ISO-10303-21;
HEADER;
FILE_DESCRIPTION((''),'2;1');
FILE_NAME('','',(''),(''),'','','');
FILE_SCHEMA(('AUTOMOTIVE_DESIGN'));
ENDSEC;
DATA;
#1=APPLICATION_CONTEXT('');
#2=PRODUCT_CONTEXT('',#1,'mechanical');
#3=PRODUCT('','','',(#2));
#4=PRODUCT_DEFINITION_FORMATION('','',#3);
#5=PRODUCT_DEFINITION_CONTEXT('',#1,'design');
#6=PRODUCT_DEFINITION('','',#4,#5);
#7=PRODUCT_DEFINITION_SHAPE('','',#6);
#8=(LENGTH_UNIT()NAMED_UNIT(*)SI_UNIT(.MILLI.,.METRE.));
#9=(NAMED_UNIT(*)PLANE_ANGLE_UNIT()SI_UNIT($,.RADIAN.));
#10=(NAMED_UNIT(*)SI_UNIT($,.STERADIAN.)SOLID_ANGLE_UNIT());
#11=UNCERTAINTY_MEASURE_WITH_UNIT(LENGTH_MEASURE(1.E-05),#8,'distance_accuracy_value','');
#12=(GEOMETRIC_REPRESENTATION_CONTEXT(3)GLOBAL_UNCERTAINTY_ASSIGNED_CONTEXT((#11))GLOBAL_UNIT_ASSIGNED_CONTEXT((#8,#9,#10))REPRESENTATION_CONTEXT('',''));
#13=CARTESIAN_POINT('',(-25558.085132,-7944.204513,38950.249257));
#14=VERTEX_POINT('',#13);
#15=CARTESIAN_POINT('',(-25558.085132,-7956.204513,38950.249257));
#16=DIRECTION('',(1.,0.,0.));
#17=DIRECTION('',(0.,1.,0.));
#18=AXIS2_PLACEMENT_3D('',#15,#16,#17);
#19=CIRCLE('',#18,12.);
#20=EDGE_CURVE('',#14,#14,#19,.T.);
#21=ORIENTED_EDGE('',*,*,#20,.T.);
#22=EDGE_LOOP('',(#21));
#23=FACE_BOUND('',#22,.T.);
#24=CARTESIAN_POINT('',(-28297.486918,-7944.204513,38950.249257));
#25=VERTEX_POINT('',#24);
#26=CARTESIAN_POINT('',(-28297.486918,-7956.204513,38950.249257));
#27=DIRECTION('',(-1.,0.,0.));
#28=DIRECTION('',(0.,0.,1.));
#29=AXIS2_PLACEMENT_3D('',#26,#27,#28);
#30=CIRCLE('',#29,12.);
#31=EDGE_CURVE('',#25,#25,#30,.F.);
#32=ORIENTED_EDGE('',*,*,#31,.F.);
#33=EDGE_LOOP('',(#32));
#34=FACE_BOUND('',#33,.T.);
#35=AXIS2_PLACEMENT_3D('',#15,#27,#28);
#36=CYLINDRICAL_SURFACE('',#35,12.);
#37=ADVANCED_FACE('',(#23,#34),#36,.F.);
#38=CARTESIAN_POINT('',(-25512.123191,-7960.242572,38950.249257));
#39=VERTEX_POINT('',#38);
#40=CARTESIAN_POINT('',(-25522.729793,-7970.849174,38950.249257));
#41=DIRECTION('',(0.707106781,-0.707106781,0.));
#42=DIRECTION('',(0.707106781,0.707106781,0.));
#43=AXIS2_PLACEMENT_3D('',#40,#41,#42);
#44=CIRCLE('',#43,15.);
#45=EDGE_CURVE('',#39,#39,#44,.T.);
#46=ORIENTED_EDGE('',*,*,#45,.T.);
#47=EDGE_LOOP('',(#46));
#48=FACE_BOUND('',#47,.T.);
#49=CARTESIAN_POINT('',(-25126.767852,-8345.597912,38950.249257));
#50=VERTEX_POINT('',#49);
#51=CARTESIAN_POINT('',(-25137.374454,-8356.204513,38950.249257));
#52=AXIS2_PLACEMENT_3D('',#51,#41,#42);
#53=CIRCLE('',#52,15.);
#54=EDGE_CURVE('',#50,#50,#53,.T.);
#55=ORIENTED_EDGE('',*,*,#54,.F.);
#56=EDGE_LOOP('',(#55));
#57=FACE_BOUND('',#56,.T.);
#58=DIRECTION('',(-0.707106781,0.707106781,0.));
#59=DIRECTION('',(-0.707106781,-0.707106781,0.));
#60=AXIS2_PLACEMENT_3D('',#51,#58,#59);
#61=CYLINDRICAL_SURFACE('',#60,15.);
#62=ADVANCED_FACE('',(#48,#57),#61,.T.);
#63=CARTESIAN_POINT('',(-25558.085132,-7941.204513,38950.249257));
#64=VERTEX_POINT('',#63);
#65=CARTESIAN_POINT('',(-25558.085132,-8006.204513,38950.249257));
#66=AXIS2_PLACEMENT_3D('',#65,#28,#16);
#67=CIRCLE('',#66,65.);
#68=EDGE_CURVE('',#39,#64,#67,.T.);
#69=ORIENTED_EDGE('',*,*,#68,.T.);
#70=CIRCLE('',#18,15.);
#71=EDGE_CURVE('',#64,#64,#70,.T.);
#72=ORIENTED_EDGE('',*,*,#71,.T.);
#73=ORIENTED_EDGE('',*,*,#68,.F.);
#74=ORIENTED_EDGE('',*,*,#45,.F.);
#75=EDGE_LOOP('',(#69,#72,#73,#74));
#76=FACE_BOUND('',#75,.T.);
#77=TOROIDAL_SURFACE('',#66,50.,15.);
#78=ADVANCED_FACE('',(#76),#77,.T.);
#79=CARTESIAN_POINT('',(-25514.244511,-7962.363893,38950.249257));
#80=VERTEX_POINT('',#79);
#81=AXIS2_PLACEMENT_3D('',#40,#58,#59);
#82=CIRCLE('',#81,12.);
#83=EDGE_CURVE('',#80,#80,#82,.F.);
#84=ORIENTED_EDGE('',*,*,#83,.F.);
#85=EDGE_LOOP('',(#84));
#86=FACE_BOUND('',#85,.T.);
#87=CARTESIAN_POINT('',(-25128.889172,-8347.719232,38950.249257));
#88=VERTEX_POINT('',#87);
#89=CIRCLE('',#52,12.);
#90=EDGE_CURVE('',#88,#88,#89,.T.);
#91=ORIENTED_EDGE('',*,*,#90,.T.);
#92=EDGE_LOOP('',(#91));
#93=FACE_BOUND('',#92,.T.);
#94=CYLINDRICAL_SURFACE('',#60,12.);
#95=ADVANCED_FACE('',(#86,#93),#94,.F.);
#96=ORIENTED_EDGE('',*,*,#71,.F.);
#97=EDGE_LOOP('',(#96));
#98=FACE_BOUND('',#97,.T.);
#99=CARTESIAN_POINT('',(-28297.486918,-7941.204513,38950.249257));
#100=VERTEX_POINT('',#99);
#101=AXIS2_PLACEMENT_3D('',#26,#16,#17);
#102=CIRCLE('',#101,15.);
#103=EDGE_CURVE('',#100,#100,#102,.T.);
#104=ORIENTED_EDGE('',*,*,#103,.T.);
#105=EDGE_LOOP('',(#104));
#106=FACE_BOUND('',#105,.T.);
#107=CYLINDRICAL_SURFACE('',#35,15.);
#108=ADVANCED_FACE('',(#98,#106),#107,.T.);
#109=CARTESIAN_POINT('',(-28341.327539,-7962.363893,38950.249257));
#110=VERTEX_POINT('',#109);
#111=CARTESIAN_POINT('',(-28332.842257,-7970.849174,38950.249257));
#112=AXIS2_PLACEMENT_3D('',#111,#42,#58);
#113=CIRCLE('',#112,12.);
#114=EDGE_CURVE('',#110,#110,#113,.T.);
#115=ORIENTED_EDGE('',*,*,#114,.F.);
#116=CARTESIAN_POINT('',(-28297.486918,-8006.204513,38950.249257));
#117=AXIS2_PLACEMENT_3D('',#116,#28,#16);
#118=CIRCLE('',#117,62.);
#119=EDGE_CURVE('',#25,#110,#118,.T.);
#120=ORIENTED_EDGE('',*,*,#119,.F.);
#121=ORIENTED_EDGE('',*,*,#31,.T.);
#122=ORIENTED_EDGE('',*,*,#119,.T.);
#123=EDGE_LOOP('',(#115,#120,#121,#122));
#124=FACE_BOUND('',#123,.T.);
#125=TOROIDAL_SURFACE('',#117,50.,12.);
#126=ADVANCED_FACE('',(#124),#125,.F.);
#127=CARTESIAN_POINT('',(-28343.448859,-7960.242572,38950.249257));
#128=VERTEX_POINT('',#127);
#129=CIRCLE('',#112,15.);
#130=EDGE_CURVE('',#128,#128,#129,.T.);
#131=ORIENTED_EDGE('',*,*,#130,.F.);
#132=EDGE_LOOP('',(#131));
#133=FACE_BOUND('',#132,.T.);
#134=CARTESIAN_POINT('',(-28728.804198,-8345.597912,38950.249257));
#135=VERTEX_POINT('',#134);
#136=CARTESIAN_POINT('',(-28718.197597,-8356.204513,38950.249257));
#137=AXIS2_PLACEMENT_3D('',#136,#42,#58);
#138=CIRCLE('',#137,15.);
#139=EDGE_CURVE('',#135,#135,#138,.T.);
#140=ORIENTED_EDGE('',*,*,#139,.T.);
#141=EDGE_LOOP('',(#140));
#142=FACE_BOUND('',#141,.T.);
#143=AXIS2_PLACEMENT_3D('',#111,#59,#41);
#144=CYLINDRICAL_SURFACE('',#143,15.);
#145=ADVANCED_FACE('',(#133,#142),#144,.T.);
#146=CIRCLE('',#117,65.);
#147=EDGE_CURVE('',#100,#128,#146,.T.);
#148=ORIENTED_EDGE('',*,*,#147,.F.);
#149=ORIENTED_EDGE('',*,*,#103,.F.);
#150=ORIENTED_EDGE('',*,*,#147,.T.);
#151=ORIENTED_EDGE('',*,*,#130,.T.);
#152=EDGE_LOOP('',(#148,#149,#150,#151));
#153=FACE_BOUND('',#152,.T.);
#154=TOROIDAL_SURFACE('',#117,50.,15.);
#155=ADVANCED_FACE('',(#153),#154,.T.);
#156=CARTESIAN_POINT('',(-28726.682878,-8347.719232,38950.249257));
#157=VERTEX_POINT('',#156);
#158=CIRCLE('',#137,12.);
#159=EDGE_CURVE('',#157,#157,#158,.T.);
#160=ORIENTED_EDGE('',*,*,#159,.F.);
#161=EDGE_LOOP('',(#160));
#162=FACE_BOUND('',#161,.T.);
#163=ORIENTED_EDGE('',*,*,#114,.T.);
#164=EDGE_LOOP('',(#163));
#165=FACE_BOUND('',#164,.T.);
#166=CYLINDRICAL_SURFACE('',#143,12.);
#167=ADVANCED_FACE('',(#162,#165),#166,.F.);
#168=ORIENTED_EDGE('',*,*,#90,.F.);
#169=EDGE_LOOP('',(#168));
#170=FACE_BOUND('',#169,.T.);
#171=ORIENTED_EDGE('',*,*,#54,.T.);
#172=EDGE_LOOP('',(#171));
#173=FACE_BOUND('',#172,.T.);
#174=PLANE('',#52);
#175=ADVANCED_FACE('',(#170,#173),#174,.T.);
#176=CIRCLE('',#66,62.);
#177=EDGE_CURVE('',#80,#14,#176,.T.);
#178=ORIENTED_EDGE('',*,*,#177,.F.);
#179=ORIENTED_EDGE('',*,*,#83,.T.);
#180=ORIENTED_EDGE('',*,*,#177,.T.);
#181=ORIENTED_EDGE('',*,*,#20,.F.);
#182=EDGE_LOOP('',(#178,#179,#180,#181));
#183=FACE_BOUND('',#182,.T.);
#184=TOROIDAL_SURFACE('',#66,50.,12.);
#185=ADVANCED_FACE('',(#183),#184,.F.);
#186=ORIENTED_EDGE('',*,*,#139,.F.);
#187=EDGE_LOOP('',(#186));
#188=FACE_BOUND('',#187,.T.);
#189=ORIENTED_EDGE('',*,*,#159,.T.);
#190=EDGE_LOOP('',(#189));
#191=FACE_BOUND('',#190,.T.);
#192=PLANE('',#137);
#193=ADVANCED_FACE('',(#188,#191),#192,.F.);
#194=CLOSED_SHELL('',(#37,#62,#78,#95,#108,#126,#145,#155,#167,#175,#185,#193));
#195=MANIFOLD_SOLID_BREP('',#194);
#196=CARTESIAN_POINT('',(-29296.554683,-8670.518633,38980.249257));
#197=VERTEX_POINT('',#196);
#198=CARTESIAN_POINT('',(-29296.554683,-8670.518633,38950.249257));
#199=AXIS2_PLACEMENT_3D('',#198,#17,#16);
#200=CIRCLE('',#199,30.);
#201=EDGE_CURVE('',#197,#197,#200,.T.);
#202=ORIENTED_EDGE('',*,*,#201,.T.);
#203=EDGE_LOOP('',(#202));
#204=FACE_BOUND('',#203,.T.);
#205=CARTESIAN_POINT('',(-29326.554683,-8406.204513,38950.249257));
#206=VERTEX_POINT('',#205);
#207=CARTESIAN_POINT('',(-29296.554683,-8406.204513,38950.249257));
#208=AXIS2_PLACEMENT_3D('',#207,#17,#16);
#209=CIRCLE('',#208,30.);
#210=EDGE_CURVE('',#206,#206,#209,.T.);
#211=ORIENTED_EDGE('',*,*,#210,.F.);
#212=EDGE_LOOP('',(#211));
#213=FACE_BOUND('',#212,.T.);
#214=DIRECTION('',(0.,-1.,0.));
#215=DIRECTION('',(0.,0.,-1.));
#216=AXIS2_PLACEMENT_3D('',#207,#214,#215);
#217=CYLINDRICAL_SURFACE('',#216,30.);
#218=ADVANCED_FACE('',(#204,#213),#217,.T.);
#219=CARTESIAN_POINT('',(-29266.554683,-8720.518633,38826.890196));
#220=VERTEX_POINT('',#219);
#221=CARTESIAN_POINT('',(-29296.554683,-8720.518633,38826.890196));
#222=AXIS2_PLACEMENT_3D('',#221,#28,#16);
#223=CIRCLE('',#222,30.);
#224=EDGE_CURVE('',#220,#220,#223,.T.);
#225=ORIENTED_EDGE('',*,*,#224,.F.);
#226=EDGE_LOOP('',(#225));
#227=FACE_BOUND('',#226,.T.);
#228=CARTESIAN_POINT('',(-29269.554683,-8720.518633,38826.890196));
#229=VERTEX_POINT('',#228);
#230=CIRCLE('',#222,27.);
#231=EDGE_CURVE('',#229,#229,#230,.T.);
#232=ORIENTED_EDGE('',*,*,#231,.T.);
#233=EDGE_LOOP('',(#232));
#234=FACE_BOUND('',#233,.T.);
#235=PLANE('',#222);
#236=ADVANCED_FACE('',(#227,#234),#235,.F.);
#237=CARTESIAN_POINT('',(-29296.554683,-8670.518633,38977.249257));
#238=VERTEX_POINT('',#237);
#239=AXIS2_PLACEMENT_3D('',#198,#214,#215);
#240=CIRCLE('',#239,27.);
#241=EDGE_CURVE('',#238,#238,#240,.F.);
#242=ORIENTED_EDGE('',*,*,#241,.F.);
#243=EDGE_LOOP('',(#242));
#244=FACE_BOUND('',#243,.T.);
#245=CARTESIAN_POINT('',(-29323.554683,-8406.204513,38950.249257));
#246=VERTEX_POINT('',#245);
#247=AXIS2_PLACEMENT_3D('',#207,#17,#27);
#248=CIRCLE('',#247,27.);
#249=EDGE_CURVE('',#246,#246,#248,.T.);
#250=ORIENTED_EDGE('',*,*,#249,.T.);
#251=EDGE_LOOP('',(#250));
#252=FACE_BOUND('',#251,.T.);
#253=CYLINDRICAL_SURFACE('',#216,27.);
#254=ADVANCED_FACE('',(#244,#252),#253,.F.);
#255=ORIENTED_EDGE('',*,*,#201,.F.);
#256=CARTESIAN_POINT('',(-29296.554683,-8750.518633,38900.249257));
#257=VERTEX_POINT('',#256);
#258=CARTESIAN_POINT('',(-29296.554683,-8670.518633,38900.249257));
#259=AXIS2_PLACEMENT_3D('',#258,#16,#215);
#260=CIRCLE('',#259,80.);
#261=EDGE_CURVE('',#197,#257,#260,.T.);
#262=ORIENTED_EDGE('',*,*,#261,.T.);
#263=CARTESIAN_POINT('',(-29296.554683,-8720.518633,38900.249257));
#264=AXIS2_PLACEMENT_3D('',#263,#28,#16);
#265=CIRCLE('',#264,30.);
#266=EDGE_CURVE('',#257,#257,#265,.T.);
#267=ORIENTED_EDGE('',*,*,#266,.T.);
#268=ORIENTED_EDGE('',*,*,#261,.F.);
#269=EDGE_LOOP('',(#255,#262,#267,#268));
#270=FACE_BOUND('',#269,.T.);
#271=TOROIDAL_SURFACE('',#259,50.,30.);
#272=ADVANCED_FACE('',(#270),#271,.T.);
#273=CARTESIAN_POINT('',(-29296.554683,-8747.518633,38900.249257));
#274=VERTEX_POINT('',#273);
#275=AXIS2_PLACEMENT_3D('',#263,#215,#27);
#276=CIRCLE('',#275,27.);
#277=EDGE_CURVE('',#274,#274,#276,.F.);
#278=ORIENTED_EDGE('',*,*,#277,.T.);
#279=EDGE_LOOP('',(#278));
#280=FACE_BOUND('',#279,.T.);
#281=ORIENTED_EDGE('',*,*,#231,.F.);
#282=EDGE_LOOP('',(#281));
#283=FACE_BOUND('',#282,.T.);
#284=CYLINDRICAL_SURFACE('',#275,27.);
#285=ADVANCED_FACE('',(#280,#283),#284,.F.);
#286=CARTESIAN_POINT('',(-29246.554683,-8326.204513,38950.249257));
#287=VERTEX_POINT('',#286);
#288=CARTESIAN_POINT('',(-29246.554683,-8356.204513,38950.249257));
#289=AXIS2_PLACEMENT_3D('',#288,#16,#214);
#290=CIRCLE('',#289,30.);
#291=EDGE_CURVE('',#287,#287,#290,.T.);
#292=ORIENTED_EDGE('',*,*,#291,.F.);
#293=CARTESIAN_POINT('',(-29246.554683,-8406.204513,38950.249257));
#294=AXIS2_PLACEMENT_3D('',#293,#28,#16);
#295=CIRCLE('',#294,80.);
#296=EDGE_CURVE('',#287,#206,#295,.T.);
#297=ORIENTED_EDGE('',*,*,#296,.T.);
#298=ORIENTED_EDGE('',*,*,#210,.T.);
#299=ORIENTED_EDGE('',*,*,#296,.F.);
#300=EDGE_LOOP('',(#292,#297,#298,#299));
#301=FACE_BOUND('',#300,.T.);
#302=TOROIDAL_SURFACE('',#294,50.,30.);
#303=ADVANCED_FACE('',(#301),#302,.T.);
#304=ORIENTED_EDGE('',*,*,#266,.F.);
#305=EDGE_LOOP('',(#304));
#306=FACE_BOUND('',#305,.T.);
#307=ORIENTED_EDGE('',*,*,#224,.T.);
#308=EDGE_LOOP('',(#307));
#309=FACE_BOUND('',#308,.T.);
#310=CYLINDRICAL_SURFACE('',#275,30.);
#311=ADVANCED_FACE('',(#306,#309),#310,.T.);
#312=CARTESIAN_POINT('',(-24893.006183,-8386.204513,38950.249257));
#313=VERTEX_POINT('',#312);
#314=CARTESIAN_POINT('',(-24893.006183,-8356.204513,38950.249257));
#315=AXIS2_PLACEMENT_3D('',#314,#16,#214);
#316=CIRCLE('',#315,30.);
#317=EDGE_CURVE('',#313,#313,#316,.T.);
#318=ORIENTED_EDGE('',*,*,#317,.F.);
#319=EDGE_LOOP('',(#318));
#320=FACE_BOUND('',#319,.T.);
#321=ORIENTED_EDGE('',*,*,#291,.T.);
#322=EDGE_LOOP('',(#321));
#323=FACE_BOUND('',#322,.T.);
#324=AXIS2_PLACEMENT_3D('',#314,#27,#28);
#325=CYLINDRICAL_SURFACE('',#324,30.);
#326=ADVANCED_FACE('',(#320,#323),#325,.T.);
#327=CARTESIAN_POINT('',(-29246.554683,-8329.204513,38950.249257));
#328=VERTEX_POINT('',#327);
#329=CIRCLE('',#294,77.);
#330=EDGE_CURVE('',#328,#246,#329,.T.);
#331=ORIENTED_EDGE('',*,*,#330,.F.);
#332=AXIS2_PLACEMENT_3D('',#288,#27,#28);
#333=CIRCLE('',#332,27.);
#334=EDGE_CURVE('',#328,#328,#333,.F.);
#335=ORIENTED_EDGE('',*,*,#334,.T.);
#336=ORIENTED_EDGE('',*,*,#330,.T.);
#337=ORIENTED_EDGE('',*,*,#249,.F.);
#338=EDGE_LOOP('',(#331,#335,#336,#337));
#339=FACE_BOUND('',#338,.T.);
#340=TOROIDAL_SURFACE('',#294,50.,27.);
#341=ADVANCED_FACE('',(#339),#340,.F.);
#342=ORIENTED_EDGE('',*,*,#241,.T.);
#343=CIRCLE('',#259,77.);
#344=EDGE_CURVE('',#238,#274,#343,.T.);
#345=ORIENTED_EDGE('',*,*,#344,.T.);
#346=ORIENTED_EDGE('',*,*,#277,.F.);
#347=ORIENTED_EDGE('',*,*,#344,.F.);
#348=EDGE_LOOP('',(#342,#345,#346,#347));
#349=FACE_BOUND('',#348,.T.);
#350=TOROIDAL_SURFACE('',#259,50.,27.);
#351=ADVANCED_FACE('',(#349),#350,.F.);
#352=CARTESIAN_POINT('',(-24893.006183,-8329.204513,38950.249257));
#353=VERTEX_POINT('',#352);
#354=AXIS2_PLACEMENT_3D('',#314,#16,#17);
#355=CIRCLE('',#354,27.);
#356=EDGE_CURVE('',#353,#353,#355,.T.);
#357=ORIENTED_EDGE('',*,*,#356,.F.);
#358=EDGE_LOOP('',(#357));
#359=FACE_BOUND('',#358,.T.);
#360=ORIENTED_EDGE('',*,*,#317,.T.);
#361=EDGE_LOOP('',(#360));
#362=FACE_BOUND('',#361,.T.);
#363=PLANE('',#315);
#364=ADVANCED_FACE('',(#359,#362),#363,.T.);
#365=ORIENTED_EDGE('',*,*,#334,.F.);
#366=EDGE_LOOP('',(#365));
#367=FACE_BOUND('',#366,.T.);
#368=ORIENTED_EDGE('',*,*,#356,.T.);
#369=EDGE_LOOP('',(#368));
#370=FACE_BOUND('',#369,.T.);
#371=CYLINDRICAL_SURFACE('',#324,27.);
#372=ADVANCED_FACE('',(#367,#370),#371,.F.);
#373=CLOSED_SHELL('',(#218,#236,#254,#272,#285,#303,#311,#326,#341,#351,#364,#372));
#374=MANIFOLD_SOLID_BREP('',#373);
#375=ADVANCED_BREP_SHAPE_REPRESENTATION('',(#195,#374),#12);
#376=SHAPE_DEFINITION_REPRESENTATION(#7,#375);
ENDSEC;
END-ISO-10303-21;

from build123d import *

# Parameters (mm, degrees)
SWEEP_THIN1_PROFILE_R   = 30
SWEEP_THIN1_PROFILE_R_2 = 27
SWEEP_THIN2_PROFILE_R   = 15
SWEEP_THIN2_PROFILE_R_2 = 12


with BuildPart() as part:
    # Sweep-Thin1: sweep along a curve in space
    with BuildLine() as sweep_thin1_path:
        Line((-24893.006183482, -8356.204513264, 38950.249256715), (-29246.554683292, -8356.204513264, 38950.249256715))
        ThreePointArc((-29296.554683292, -8406.204513264, 38950.249256715), (-29281.910022351, -8370.849174205, 38950.249256715), (-29246.554683292, -8356.204513264, 38950.249256715))
        Line((-29296.554683292, -8406.204513264, 38950.249256715), (-29296.554683292, -8670.518633414, 38950.249256715))
        ThreePointArc((-29296.554683292, -8720.518633414, 38900.249256715), (-29296.554683292, -8705.873972473, 38935.604595774), (-29296.554683292, -8670.518633414, 38950.249256715))
        Line((-29296.554683292, -8720.518633414, 38900.249256715), (-29296.554683292, -8720.518633414, 38826.890196057))
    # Sweep-Thin1 profile (on start of the path) → Sweep-Thin1 (sweep)
    with BuildSketch(Plane(origin=(-24893.006183482, -8356.204513264, 38950.249256715), x_dir=(0, 0, -1), z_dir=(-1, 0, 0))):
        Circle(SWEEP_THIN1_PROFILE_R)
        Circle(SWEEP_THIN1_PROFILE_R_2, mode=Mode.SUBTRACT)
    sweep(path=sweep_thin1_path.line)


with BuildPart() as body_2:
    # Sweep-Thin2: sweep along a curve in space
    with BuildLine() as sweep_thin2_path:
        Line((-25137.374453509, -8356.204513264, 38950.249256715), (-25522.729792568, -7970.849174205, 38950.249256715))
        ThreePointArc((-25558.085131628, -7956.204513264, 38950.249256715), (-25538.950960009, -7960.010536639, 38950.249256715), (-25522.729792568, -7970.849174205, 38950.249256715))
        Line((-25558.085131628, -7956.204513264, 38950.249256715), (-28297.486918384, -7956.204513264, 38950.249256715))
        ThreePointArc((-28297.486918384, -7956.204513264, 38950.249256715), (-28316.621090003, -7960.010536639, 38950.249256715), (-28332.842257444, -7970.849174205, 38950.249256715))
        Line((-28332.842257444, -7970.849174205, 38950.249256715), (-28718.197596503, -8356.204513264, 38950.249256715))
    # Sweep-Thin2 profile (on start of the path) → Sweep-Thin2 (sweep)
    with BuildSketch(Plane(origin=(-25137.374453509, -8356.204513264, 38950.249256715), x_dir=(0.7071067811865483, 0.7071067811865467, 0), z_dir=(-0.7071067811865467, 0.7071067811865483, 0))):
        Circle(SWEEP_THIN2_PROFILE_R)
        Circle(SWEEP_THIN2_PROFILE_R_2, mode=Mode.SUBTRACT)
    sweep(path=sweep_thin2_path.line)


solid = Compound([part.part, body_2.part])
